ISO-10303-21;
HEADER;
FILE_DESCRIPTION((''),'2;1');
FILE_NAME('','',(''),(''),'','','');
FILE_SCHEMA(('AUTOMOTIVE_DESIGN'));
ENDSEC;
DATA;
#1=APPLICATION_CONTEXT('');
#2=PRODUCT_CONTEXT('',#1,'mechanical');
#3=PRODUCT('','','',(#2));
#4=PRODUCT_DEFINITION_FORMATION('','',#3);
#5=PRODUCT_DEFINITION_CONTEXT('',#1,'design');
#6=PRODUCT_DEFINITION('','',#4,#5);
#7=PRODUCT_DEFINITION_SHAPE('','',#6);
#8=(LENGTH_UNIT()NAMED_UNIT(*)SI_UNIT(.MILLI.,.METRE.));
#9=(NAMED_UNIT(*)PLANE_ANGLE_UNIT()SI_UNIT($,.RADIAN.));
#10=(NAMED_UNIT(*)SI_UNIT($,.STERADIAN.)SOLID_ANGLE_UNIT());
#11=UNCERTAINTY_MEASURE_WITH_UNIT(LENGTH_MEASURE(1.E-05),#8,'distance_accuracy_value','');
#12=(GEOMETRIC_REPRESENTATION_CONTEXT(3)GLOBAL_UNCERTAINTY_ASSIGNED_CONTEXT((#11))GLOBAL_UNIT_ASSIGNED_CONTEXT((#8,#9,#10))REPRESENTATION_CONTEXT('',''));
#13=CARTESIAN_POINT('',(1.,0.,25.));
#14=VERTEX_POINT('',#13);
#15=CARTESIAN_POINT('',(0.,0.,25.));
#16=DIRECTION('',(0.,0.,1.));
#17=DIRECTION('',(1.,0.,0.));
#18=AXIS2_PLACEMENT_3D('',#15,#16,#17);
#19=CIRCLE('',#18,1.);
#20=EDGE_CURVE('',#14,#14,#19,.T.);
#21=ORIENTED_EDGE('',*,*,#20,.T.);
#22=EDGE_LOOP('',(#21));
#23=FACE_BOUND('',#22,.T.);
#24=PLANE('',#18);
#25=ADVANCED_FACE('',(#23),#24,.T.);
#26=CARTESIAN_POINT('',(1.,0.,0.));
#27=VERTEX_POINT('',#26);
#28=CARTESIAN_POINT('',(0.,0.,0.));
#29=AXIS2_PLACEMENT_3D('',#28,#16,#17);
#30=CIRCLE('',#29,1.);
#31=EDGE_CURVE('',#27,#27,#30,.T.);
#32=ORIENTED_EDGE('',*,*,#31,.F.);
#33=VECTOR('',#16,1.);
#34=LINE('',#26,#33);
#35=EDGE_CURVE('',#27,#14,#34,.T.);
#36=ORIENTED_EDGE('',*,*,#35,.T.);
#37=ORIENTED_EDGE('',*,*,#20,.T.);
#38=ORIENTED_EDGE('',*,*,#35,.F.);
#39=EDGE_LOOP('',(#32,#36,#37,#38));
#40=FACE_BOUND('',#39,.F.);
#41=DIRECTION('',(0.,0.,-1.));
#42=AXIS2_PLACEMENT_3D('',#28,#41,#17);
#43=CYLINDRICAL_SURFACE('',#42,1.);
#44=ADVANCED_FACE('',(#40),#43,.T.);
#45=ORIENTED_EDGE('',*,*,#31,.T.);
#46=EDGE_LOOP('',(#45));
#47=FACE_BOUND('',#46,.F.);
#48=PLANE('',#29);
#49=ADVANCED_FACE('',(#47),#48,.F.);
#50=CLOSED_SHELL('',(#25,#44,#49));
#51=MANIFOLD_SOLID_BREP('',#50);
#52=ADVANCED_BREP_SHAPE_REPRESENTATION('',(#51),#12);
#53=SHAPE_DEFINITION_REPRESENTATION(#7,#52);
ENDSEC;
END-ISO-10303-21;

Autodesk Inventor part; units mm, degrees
ref_plane "YZ Plane" through (0, 0, 0) normal (1, 0, 0) x (0, 1, 0)
ref_plane "XZ Plane" through (0, 0, 0) normal (0, 1, 0) x (-1, 0, 0)
ref_plane "XY Plane" through (0, 0, 0) normal (0, 0, 1) x (1, 0, 0)
sketch "Sketch2" plane through (0, 0, 0) normal (0, 0, 1) x (1, 0, 0)
  circle A0 centre (0, 0) radius 1
  dimension "d0" = 2
extrude "Extrusion1" add sketch "Sketch2" along normal blind 25
properties part number "fastener ppg"
